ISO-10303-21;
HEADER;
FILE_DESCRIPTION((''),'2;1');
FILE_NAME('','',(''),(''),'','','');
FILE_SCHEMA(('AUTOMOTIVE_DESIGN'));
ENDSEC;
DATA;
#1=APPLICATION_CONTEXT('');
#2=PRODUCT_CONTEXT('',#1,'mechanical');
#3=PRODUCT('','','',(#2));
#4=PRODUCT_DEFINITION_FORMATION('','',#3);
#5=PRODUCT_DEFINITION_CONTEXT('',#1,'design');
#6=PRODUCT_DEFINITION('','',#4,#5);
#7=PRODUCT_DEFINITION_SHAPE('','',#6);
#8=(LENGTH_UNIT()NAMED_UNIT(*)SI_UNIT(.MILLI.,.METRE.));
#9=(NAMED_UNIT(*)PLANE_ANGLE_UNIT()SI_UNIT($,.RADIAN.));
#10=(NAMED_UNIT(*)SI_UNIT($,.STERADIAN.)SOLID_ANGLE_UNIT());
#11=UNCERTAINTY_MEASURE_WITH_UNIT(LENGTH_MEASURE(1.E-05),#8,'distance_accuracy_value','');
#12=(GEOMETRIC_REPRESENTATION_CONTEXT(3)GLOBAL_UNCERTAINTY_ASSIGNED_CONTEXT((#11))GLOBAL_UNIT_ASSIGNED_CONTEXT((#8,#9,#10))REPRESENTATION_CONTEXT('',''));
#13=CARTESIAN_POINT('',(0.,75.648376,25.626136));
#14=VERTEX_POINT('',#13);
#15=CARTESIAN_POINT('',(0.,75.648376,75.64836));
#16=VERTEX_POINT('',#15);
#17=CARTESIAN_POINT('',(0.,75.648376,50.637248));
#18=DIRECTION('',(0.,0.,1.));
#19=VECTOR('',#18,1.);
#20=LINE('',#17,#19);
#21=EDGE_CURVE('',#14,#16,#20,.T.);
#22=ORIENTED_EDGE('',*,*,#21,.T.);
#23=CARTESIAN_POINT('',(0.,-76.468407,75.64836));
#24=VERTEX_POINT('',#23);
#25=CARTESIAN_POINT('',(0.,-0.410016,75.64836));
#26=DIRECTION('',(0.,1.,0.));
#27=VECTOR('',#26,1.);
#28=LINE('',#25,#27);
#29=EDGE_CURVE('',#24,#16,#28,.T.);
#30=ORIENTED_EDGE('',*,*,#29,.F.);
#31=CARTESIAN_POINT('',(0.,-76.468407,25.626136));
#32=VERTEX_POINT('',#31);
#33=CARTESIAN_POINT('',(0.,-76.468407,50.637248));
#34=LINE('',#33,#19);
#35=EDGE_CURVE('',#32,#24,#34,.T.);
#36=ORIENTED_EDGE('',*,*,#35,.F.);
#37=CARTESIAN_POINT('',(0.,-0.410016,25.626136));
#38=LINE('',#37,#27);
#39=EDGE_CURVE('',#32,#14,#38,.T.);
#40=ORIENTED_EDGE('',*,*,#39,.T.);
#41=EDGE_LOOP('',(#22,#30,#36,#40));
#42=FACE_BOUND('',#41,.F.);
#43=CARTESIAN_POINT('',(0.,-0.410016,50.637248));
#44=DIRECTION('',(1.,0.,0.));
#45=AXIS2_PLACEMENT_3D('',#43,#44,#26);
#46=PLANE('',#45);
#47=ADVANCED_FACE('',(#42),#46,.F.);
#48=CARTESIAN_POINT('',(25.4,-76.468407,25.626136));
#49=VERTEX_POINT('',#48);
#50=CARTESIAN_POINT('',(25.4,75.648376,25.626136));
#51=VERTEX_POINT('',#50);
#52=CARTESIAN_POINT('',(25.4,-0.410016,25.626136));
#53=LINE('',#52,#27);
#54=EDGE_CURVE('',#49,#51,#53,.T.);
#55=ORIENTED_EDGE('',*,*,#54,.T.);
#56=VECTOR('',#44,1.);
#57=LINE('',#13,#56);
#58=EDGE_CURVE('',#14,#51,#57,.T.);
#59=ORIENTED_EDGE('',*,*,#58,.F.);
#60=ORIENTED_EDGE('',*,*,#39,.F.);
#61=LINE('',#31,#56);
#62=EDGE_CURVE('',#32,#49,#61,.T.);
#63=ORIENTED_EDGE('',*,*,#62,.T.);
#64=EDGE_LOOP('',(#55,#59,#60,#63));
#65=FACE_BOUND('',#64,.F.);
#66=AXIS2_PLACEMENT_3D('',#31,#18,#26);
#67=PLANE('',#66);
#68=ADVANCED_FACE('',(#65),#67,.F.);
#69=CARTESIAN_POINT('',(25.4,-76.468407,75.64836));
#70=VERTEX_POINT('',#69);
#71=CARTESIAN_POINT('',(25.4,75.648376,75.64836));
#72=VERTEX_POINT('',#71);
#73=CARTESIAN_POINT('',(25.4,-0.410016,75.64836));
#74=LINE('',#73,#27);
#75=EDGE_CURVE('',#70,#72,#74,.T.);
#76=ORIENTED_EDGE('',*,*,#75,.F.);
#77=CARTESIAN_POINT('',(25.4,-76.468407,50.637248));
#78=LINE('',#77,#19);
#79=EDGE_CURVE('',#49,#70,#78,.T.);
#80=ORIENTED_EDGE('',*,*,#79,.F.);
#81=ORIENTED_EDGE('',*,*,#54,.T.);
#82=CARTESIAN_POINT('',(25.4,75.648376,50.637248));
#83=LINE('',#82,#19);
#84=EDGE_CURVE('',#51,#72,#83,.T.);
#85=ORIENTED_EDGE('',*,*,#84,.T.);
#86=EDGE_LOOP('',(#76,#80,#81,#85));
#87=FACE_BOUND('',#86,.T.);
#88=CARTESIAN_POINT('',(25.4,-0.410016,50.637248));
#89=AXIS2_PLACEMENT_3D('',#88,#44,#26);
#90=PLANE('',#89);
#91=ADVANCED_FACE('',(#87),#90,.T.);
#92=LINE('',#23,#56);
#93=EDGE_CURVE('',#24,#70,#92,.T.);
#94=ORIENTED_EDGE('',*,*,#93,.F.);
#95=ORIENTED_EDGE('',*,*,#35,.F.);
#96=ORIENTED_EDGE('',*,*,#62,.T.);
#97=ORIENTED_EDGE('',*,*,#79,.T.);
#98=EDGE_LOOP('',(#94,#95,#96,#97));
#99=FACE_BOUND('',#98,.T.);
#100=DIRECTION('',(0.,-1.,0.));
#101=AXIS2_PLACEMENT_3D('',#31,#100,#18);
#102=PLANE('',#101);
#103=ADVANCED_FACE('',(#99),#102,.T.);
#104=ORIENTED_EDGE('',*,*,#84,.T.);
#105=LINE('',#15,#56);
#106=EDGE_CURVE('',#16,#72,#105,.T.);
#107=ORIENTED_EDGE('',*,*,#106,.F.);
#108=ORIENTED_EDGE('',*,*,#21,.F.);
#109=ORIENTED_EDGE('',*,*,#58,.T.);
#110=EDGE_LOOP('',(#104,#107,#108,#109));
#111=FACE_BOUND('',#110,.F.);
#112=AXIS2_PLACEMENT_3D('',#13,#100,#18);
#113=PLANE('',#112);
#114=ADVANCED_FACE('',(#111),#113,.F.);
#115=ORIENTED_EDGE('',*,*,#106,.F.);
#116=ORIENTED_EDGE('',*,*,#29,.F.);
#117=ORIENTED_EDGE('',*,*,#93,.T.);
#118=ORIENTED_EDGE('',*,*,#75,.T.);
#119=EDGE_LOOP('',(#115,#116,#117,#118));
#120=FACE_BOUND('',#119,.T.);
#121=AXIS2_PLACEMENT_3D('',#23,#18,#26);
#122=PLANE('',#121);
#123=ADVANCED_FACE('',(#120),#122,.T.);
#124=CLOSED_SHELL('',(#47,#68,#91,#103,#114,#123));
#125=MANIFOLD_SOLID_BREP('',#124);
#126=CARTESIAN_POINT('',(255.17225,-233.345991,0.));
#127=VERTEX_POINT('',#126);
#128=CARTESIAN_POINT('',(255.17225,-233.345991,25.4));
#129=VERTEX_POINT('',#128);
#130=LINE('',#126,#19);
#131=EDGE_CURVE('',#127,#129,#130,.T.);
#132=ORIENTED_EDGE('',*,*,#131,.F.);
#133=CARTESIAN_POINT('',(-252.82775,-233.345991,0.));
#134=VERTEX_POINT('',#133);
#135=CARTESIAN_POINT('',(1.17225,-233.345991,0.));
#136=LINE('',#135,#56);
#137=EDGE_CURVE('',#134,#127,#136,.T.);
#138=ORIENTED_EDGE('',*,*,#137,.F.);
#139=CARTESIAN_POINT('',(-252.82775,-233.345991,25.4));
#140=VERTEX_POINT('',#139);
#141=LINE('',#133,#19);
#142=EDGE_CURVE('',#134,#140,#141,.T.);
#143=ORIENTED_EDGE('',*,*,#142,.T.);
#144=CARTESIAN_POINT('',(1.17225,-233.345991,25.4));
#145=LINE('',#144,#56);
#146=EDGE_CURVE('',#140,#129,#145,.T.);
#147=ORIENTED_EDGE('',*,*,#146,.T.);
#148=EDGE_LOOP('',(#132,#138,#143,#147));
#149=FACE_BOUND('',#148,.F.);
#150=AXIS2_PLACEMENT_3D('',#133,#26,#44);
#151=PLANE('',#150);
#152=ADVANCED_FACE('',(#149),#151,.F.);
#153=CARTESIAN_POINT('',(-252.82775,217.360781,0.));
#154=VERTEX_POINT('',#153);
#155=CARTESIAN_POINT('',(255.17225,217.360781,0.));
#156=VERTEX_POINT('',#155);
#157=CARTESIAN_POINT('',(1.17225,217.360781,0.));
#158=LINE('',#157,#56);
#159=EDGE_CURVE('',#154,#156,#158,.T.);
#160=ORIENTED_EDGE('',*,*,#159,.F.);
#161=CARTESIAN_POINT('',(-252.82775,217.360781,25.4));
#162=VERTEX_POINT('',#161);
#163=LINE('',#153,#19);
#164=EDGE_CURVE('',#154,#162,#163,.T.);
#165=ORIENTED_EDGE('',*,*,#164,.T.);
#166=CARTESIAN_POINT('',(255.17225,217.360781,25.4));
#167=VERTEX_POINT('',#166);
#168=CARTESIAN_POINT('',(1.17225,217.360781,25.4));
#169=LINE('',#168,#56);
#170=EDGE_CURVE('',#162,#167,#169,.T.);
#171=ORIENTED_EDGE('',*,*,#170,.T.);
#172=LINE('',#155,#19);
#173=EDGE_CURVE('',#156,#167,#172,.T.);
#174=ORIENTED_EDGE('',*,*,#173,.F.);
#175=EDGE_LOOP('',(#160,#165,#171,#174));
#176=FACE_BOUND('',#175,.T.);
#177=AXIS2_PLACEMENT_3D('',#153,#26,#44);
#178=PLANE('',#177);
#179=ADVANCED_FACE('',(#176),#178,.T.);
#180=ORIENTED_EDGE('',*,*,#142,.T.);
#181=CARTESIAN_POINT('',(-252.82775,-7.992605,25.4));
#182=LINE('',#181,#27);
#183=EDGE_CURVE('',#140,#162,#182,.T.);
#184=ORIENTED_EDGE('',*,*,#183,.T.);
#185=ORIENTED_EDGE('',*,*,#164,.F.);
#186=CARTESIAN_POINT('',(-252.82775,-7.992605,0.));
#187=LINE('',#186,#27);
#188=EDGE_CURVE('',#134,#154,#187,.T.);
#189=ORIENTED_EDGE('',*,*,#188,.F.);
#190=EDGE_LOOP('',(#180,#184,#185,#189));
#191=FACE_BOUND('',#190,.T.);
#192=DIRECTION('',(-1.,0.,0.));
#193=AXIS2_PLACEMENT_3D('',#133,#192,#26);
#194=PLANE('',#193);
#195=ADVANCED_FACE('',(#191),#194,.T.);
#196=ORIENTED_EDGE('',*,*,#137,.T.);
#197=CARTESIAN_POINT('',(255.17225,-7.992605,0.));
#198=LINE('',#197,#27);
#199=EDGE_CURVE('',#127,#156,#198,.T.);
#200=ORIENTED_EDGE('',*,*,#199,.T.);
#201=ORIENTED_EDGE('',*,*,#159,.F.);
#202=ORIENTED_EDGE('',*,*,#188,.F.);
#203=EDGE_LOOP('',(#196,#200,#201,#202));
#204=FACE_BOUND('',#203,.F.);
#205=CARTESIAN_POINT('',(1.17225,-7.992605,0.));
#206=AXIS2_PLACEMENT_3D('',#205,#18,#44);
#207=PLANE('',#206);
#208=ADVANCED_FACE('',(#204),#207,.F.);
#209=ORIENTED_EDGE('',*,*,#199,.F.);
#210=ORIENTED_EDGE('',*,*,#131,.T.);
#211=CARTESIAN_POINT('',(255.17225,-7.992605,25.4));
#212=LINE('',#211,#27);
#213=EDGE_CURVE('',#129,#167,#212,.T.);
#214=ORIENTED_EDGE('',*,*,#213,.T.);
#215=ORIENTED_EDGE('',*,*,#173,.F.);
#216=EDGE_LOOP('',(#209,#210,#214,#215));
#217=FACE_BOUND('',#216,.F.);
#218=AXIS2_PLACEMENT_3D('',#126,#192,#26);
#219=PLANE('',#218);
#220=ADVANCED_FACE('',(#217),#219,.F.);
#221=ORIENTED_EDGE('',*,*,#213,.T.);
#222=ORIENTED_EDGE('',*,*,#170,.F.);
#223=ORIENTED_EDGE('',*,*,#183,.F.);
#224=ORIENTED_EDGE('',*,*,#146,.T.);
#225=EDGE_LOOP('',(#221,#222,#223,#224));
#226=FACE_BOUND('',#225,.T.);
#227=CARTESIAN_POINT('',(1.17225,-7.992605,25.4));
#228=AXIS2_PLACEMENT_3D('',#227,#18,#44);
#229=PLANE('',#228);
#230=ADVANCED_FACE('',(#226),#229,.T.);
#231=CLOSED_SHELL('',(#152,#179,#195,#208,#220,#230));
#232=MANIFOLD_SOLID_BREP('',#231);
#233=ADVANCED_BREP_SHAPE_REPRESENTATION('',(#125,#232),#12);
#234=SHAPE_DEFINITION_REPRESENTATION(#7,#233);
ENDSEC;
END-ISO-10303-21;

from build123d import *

# Parameters (mm, degrees)
F0_W     = 508
F0_H     = 450.706772
F1_DEPTH = 25.4
F2_W     = 152.116783
F2_H     = 50.022224
F3_DEPTH = 25.4


with BuildPart() as f1:
    # F0 (on Top) → F1 (new body)
    with BuildSketch(Plane.XY):
        with Locations((1.17225, -7.992605)):
            Rectangle(F0_W, F0_H)
    extrude(amount=F1_DEPTH)


with BuildPart() as f3:
    # F2 (on Right) → F3 (new body)
    with BuildSketch(Plane.YZ):
        with Locations((-0.410016, 50.637248)):
            Rectangle(F2_W, F2_H)
    extrude(amount=F3_DEPTH)


solid = Compound([f1.part, f3.part])
